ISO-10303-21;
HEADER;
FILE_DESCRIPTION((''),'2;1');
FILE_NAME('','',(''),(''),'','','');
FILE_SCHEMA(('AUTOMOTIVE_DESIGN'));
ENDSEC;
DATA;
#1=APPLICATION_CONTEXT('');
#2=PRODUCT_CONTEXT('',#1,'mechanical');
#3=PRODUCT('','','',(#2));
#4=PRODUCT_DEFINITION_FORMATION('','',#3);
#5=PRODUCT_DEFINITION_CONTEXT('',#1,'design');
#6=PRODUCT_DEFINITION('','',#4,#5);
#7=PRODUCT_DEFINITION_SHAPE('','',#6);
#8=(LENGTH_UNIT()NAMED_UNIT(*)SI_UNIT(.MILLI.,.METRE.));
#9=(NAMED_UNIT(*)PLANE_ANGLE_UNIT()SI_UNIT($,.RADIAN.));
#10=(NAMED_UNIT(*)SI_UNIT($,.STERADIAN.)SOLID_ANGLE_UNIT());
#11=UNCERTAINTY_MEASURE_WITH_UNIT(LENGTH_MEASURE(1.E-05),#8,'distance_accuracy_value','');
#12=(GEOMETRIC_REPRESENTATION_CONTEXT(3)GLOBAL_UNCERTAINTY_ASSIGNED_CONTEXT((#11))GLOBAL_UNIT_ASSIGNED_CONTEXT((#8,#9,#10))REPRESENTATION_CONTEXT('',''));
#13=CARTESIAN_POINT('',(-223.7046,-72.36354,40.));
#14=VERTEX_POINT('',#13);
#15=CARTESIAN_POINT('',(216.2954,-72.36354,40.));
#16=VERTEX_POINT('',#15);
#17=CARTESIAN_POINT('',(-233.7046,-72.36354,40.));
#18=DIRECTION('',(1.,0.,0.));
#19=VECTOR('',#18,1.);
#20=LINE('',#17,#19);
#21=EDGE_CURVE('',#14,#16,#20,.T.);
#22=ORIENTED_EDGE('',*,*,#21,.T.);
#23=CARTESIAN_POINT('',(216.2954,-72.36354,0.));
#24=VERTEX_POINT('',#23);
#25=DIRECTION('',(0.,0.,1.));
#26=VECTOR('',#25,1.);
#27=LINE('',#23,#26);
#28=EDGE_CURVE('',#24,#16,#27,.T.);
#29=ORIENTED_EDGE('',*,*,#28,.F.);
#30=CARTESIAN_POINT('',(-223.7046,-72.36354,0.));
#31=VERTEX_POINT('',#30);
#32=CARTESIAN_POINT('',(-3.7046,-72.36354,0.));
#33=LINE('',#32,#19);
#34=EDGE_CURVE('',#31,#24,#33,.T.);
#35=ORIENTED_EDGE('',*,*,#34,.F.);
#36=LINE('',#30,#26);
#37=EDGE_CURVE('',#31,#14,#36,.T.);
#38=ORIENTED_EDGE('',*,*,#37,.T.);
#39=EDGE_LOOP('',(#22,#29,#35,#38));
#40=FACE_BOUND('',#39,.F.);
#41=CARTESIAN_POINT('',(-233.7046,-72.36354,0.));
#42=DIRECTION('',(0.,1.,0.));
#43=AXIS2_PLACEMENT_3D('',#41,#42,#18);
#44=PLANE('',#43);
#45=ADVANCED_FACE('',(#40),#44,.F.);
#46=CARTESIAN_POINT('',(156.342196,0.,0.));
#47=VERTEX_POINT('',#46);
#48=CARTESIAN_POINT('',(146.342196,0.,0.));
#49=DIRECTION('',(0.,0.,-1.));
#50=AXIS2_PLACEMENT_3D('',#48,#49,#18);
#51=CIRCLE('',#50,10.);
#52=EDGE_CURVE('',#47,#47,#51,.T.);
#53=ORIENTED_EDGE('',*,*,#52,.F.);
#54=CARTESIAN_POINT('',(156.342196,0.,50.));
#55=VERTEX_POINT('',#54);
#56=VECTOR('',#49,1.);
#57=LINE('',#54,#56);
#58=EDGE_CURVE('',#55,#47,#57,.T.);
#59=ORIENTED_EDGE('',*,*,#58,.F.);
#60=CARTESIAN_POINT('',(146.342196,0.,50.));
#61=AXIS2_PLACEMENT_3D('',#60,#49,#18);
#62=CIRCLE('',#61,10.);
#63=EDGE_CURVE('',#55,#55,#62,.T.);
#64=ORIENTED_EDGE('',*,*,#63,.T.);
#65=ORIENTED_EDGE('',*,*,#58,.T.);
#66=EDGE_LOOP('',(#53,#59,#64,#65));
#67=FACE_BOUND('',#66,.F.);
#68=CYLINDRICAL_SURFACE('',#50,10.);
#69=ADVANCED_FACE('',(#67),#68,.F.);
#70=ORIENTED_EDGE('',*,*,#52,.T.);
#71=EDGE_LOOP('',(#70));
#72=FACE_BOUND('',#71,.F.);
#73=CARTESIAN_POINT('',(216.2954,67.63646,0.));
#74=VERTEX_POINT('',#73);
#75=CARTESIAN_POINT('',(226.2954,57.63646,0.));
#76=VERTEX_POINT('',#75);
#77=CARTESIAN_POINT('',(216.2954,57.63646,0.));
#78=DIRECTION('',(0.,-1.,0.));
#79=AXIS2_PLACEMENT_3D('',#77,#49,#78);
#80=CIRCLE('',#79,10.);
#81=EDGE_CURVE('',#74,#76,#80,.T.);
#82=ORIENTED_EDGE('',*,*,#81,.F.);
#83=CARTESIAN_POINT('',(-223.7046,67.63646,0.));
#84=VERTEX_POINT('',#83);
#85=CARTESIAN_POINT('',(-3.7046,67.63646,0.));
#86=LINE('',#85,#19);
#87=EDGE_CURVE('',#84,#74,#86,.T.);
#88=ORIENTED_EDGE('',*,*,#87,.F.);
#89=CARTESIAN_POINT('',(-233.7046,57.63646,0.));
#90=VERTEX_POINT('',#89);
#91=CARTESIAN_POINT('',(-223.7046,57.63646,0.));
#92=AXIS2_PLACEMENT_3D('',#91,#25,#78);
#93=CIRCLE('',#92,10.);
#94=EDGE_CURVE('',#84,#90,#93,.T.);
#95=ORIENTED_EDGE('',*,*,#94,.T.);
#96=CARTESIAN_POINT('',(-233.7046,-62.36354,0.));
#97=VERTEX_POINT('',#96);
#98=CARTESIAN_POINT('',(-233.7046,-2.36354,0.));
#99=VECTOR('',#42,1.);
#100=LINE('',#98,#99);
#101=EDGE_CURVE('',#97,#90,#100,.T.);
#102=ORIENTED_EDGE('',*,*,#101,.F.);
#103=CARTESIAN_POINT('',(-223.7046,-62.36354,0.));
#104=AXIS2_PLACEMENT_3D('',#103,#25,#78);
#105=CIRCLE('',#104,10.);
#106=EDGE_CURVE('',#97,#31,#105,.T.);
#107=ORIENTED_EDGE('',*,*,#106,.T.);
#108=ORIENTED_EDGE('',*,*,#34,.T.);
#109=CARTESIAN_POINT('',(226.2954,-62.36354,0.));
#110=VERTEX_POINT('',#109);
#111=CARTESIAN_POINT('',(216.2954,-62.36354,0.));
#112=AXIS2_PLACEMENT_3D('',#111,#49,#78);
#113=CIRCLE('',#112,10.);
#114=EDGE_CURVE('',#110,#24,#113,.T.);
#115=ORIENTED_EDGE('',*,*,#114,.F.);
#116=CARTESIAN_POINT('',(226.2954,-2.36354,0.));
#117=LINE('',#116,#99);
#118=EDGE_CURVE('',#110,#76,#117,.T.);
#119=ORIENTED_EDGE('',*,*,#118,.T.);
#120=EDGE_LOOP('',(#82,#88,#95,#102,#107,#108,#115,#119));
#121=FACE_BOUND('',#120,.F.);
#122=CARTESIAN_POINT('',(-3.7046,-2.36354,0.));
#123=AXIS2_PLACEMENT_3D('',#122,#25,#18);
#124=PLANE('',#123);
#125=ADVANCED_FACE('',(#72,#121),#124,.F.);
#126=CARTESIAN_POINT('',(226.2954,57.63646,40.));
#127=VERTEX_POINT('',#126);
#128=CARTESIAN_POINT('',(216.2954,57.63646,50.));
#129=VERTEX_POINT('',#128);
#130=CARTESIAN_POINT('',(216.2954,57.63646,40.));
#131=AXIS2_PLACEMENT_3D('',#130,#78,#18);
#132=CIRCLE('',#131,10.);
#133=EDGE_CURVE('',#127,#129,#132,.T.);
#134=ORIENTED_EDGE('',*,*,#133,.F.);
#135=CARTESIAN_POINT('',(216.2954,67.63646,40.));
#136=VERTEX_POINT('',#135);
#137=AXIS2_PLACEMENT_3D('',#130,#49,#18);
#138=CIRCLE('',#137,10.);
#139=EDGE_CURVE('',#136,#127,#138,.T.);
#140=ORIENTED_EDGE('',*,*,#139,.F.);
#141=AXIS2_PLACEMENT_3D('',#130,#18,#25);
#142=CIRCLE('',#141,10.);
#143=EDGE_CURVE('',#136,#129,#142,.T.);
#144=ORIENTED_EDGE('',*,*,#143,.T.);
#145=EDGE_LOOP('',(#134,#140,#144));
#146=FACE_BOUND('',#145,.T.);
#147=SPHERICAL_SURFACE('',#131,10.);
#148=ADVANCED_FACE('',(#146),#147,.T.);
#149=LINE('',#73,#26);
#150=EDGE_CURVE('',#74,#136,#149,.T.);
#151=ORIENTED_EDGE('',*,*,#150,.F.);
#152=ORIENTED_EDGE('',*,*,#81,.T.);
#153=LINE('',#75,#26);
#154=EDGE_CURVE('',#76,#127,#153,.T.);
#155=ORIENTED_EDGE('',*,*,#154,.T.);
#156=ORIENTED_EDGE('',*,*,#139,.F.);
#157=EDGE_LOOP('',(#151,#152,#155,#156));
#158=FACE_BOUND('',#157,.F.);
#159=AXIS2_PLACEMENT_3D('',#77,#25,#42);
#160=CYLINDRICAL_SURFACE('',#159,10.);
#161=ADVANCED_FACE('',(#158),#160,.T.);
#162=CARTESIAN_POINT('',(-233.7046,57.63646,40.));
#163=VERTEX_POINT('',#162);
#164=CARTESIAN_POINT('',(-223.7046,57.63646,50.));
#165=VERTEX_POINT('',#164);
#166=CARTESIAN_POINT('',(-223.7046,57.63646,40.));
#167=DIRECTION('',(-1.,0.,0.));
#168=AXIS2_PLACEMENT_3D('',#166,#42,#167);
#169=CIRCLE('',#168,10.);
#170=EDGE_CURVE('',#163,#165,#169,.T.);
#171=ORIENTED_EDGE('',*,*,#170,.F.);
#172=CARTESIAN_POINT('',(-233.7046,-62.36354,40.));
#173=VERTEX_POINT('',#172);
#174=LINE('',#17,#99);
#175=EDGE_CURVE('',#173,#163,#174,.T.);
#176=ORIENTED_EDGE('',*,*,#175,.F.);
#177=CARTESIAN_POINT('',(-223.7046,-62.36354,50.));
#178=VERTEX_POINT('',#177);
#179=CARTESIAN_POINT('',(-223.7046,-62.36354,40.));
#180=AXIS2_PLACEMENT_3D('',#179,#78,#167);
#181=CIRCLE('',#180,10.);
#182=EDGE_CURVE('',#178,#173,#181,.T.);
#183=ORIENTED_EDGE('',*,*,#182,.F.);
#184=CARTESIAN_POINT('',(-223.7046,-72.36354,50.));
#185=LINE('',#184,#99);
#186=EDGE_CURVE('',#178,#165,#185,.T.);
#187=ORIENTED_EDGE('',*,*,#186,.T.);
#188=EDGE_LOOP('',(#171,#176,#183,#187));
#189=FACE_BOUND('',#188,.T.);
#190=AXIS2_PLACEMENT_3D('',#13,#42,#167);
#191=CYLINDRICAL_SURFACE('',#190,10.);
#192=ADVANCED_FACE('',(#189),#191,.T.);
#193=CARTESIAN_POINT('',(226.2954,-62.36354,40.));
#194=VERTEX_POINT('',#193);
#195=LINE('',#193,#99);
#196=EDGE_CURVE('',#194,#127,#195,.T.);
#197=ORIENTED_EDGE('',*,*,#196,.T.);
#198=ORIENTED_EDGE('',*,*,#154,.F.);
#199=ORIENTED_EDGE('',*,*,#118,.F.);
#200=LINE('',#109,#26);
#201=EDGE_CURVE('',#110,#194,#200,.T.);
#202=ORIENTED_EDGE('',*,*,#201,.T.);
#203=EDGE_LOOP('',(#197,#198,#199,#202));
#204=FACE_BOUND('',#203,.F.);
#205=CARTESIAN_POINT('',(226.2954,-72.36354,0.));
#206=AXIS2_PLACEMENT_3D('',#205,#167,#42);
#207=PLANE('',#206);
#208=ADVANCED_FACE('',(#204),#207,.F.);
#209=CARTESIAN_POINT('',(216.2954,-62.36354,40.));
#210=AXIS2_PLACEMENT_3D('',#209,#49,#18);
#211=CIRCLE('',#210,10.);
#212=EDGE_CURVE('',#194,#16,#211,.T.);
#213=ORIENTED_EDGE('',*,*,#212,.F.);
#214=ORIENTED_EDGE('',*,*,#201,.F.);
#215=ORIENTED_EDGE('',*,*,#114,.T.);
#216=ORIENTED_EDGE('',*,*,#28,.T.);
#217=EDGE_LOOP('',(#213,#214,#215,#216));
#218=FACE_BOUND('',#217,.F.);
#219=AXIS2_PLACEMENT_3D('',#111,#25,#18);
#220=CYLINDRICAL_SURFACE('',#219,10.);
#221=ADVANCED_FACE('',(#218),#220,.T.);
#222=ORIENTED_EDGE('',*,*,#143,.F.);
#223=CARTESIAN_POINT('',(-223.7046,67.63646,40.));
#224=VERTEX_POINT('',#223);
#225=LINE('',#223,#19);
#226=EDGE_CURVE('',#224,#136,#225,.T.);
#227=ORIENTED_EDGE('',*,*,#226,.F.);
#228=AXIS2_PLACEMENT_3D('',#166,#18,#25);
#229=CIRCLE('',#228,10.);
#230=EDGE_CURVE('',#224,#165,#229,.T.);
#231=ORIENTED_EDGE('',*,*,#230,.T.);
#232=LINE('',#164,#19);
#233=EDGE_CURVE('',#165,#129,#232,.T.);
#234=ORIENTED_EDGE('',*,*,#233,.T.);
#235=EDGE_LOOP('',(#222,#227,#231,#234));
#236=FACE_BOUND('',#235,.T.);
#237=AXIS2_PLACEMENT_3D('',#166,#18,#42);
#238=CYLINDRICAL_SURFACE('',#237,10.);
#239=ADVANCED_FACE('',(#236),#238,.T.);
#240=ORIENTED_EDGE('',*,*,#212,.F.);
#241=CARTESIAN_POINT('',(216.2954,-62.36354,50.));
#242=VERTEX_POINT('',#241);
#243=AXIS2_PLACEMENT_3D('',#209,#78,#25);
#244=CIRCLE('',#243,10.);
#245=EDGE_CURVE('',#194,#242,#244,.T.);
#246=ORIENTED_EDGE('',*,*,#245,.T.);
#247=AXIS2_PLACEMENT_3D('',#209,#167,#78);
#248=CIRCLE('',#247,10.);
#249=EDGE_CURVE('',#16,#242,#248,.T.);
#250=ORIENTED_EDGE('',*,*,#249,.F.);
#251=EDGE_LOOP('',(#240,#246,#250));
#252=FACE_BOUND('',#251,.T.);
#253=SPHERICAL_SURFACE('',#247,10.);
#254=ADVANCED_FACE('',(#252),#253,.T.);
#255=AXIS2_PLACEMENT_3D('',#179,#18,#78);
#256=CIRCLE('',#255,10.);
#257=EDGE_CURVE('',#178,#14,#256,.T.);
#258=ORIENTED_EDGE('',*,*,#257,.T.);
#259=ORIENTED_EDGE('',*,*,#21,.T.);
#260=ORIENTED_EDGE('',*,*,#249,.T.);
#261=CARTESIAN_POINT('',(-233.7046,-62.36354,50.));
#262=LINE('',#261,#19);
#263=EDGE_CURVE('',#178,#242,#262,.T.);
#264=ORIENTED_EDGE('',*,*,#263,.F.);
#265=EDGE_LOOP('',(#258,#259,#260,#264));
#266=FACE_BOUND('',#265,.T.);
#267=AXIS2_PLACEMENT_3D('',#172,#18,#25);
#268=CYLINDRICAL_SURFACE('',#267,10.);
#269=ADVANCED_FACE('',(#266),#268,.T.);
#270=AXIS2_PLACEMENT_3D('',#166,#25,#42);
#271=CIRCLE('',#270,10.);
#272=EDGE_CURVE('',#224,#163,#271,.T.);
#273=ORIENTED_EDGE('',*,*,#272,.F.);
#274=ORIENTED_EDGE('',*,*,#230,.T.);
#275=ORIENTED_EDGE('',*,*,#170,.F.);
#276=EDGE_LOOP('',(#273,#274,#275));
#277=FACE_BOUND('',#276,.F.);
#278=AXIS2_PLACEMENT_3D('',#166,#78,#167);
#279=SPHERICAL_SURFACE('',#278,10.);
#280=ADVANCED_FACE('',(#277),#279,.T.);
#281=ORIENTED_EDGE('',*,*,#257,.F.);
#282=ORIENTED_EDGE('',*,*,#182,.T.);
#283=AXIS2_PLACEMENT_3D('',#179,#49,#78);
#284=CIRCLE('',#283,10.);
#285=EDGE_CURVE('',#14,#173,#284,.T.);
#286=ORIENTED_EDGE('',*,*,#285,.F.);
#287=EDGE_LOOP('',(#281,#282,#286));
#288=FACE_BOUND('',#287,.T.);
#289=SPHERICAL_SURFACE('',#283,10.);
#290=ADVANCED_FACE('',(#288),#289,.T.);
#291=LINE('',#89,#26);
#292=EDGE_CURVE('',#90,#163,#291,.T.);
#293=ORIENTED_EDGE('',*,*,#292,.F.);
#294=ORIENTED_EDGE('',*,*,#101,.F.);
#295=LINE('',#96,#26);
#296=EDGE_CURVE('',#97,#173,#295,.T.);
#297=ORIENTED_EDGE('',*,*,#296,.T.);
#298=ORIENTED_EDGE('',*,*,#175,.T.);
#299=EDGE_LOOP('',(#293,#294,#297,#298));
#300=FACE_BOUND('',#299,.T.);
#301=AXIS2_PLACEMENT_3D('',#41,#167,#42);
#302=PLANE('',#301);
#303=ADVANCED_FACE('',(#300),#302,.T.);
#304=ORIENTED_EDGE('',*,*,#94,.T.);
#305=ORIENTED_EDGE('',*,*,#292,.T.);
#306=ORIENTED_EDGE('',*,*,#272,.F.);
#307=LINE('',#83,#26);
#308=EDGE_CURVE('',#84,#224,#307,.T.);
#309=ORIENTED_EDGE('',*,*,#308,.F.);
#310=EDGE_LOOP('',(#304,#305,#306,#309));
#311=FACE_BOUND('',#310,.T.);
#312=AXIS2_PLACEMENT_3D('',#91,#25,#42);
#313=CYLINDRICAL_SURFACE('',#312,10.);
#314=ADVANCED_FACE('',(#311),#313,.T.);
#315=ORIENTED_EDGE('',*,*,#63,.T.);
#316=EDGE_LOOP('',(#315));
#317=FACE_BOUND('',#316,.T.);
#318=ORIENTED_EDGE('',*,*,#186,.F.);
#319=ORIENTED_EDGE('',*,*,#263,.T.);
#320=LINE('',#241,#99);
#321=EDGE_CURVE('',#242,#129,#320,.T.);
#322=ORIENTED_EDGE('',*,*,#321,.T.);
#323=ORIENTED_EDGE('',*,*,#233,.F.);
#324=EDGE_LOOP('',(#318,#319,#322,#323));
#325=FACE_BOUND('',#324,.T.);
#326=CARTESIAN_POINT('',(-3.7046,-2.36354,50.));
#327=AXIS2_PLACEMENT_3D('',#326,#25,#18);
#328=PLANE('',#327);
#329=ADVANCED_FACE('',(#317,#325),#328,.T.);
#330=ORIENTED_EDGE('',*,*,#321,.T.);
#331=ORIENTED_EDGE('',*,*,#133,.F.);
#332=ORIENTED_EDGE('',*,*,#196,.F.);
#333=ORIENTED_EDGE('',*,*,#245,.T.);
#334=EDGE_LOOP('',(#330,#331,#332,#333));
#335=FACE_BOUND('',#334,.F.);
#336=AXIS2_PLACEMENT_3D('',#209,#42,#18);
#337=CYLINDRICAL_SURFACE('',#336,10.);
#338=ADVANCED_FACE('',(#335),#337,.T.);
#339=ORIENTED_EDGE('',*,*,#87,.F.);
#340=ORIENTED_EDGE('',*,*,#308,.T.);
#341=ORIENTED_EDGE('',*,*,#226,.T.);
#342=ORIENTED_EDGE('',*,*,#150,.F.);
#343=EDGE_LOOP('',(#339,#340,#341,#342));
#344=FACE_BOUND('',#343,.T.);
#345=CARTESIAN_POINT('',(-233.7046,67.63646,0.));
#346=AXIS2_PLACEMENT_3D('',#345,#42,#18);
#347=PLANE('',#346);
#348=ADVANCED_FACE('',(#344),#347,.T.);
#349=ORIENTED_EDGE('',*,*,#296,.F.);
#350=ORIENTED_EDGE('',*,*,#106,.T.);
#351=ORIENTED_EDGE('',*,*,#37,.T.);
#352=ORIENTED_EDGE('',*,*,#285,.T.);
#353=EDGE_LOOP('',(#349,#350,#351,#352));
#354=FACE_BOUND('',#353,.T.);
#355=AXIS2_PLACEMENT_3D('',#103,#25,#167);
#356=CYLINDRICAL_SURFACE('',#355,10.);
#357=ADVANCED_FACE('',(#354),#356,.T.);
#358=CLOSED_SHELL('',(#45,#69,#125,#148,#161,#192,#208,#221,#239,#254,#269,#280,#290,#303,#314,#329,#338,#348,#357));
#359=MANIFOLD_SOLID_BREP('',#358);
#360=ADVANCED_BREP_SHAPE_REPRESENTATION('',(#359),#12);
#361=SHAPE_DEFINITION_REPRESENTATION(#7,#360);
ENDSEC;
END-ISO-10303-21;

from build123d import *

# Parameters (mm, degrees)
F0_W      = 460
F0_H      = 140
F1_DEPTH  = 50
F2_R      = 10
F3_DEPTH  = 25
F3_FACE_R = 10
F4_DEPTH  = 25
F5_R      = 10
F6_R      = 10


with BuildPart() as f1:
    # F0 (on Top) → F1 (new body)
    with BuildSketch(Plane.XY):
        with Locations((-3.7046, -2.36354)):
            Rectangle(F0_W, F0_H)
    extrude(amount=F1_DEPTH)

    # F2 (on face) → F3 (cut)
    with BuildSketch(Plane(origin=(0, 0, 0), x_dir=(1, 0, 0), z_dir=(0, 0, -1))):
        with Locations((146.342196, 0)):
            Circle(F2_R)
    extrude(amount=-F3_DEPTH, mode=Mode.SUBTRACT)

    # F3_face (on face) → F4 (cut)
    with BuildSketch(Plane(origin=(146.342196, 0, 25), x_dir=(1, 0, 0), z_dir=(0, 0, -1))):
        Circle(F3_FACE_R)
    extrude(amount=-F4_DEPTH, mode=Mode.SUBTRACT)

    # F5
    f5_edges = [f1.edges().sort_by_distance(p)[0] for p in [
        (-233.7046, -72.36354, 25),
        (-3.7046, -72.36354, 50),
        (-233.7046, -2.36354, 50),
    ]]
    fillet(f5_edges, radius=F5_R)

    # F6
    f6_edges = [f1.edges().sort_by_distance(p)[0] for p in [
        (226.2954, -72.36354, 20),
        (226.2954, 67.63646, 25),
        (1.2954, 67.63646, 50),
    ]]
    fillet(f6_edges, radius=F6_R)


solid = f1.part
